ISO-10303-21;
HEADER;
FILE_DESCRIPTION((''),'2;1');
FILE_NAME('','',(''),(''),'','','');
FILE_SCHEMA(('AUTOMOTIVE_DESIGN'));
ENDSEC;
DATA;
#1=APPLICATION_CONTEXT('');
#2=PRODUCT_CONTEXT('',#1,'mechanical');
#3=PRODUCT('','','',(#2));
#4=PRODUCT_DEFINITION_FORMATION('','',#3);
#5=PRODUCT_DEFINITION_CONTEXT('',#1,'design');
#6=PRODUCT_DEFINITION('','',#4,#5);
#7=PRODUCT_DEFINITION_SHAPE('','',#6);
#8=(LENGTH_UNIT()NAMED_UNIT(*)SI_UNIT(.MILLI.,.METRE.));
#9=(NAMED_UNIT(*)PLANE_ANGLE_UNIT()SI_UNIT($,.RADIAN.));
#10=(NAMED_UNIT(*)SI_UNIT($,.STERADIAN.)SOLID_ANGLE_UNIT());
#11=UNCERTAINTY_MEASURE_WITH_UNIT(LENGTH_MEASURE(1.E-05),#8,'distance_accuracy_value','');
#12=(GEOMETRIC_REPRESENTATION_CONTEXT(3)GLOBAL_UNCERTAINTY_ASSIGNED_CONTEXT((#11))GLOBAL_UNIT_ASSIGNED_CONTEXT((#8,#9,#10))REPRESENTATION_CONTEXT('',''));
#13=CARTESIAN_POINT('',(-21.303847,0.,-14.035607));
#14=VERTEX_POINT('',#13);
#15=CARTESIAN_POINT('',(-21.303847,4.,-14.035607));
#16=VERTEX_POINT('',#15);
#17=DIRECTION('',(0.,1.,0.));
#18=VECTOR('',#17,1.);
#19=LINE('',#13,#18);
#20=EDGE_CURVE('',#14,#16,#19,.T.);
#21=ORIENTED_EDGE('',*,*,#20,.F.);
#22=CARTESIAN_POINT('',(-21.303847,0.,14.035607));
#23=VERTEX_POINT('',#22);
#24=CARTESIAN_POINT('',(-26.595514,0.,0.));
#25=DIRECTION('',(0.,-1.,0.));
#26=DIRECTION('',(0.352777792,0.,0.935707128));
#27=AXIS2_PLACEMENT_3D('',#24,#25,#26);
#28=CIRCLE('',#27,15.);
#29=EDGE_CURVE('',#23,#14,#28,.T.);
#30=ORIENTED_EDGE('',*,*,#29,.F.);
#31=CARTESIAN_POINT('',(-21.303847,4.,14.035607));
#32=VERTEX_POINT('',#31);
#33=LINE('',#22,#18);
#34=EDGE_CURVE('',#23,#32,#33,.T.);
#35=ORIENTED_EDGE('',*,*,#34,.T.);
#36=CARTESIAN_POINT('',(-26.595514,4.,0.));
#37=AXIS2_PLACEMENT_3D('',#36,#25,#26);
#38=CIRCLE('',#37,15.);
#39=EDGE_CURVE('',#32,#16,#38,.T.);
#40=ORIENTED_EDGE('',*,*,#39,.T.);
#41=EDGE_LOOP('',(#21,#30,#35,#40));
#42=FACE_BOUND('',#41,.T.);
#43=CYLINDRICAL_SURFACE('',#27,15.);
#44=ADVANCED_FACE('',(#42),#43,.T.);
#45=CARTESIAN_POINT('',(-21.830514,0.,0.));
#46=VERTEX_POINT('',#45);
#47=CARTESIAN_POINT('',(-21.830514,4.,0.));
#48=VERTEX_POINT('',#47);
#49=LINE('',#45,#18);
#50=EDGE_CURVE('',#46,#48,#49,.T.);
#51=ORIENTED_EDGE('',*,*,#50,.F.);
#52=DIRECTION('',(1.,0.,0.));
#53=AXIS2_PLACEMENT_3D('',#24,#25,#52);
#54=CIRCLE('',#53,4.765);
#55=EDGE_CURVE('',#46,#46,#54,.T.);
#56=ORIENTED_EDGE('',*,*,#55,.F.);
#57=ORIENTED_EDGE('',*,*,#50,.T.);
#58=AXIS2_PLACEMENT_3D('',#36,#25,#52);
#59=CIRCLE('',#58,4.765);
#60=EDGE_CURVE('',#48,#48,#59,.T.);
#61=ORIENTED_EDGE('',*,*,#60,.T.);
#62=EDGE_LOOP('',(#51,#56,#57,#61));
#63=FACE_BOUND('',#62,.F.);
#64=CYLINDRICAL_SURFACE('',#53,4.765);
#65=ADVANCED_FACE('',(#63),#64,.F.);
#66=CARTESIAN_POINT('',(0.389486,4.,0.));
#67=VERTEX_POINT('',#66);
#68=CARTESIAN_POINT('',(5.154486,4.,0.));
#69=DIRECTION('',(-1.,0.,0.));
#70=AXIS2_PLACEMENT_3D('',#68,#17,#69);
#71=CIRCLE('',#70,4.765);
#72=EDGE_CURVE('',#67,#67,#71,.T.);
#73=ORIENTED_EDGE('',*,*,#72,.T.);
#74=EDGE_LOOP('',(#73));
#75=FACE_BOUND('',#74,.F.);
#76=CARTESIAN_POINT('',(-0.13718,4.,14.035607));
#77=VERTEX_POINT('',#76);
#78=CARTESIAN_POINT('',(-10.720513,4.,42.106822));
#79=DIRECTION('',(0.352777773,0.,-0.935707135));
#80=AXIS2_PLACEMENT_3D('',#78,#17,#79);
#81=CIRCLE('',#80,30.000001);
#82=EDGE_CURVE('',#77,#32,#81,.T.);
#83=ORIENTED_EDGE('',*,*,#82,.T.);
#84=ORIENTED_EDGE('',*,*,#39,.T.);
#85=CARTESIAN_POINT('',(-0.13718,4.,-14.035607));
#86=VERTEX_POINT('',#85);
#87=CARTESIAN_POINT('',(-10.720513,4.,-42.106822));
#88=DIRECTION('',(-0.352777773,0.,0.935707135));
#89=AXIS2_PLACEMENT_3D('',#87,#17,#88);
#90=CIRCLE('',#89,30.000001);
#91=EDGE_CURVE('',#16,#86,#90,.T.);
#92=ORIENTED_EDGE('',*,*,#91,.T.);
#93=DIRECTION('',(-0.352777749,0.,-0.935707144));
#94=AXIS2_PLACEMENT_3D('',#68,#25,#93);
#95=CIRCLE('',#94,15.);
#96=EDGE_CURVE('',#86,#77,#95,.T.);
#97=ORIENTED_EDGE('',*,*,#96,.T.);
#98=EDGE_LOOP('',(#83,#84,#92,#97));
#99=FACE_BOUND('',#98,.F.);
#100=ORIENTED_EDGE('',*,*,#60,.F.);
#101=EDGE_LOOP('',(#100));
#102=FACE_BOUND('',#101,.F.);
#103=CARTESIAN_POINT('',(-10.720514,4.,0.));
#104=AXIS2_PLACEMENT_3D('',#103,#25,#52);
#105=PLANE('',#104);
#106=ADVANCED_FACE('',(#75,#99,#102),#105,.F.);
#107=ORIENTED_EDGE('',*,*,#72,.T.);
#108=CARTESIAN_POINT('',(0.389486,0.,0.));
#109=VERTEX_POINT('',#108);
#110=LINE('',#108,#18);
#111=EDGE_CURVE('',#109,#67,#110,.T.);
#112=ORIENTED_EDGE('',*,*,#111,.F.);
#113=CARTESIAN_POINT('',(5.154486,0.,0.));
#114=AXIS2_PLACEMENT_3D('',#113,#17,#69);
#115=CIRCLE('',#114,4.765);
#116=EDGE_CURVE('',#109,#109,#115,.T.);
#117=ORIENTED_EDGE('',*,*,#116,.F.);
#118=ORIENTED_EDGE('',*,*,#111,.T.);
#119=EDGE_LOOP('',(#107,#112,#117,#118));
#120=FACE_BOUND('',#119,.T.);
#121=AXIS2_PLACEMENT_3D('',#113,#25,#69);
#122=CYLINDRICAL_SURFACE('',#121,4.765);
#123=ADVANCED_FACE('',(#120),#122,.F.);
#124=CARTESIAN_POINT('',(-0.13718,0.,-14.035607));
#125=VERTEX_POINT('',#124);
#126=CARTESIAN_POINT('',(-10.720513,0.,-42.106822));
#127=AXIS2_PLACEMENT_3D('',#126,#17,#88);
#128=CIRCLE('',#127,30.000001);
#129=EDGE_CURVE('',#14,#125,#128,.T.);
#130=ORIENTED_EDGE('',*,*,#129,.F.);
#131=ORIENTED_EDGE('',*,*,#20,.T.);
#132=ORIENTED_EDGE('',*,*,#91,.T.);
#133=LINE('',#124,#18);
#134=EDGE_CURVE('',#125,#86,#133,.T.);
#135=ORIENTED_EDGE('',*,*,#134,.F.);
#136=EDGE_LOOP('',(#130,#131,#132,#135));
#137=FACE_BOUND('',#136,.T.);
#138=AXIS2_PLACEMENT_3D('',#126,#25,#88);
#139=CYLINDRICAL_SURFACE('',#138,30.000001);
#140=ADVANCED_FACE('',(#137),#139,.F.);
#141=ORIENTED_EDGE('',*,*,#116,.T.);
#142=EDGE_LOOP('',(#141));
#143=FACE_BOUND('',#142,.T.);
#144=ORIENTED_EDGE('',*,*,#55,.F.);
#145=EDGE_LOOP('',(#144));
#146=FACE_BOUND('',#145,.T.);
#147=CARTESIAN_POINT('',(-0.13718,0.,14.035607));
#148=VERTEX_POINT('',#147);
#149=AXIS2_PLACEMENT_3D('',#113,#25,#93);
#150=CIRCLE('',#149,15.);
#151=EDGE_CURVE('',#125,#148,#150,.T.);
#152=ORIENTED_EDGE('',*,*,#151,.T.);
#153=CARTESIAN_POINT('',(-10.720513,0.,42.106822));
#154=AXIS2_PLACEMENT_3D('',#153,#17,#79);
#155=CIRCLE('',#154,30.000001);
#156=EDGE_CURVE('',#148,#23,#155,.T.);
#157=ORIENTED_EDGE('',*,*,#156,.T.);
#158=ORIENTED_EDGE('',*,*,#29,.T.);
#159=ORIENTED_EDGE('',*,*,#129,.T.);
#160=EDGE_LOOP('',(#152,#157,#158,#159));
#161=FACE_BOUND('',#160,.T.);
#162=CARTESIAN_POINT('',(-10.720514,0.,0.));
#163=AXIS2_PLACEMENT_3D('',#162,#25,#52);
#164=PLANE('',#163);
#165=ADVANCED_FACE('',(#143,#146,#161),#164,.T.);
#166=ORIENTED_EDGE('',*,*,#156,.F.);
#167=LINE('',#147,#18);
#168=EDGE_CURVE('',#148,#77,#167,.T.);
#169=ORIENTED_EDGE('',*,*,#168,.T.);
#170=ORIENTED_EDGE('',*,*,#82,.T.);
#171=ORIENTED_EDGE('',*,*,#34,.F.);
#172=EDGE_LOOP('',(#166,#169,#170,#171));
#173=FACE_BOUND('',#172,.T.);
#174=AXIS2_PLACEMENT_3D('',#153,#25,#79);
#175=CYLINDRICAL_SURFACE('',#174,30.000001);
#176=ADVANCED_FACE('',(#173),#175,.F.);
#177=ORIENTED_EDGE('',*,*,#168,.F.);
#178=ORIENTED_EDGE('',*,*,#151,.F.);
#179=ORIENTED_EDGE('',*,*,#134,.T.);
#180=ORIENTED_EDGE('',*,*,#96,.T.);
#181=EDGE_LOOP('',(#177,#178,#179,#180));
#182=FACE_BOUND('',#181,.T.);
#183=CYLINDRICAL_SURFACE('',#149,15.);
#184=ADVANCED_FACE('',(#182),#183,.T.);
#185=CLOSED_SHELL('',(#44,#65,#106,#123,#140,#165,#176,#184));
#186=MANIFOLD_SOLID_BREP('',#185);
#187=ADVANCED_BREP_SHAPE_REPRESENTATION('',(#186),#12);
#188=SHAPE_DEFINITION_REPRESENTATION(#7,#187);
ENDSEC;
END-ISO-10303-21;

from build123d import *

# Parameters (mm, degrees)
F0_R     = 4.765
F1_DEPTH = 4


with BuildPart() as f1:
    # F0 (on Front) → F1 (new body)
    with BuildSketch(Plane.XZ):
        with BuildLine():
            ThreePointArc((-0.13718, 14.035607), (-10.720514, 12.106821), (-21.303847, 14.035607))
            ThreePointArc((-21.303847, 14.035607), (-41.595514, 0), (-21.303847, -14.035607))
            ThreePointArc((-21.303847, -14.035607), (-10.720514, -12.106821), (-0.13718, -14.035607))
            ThreePointArc((-0.13718, -14.035607), (20.154486, 0), (-0.13718, 14.035607))
        make_face()
        with Locations((-26.595514, 0)):
            Circle(F0_R, mode=Mode.SUBTRACT)
        with BuildLine():
            ThreePointArc((9.919486, 0), (5.154486, -4.765), (0.389486, 0))
            ThreePointArc((0.389486, 0), (5.154486, 4.765), (9.919486, 0))
        make_face(mode=Mode.SUBTRACT)
    extrude(amount=-F1_DEPTH)


solid = f1.part
